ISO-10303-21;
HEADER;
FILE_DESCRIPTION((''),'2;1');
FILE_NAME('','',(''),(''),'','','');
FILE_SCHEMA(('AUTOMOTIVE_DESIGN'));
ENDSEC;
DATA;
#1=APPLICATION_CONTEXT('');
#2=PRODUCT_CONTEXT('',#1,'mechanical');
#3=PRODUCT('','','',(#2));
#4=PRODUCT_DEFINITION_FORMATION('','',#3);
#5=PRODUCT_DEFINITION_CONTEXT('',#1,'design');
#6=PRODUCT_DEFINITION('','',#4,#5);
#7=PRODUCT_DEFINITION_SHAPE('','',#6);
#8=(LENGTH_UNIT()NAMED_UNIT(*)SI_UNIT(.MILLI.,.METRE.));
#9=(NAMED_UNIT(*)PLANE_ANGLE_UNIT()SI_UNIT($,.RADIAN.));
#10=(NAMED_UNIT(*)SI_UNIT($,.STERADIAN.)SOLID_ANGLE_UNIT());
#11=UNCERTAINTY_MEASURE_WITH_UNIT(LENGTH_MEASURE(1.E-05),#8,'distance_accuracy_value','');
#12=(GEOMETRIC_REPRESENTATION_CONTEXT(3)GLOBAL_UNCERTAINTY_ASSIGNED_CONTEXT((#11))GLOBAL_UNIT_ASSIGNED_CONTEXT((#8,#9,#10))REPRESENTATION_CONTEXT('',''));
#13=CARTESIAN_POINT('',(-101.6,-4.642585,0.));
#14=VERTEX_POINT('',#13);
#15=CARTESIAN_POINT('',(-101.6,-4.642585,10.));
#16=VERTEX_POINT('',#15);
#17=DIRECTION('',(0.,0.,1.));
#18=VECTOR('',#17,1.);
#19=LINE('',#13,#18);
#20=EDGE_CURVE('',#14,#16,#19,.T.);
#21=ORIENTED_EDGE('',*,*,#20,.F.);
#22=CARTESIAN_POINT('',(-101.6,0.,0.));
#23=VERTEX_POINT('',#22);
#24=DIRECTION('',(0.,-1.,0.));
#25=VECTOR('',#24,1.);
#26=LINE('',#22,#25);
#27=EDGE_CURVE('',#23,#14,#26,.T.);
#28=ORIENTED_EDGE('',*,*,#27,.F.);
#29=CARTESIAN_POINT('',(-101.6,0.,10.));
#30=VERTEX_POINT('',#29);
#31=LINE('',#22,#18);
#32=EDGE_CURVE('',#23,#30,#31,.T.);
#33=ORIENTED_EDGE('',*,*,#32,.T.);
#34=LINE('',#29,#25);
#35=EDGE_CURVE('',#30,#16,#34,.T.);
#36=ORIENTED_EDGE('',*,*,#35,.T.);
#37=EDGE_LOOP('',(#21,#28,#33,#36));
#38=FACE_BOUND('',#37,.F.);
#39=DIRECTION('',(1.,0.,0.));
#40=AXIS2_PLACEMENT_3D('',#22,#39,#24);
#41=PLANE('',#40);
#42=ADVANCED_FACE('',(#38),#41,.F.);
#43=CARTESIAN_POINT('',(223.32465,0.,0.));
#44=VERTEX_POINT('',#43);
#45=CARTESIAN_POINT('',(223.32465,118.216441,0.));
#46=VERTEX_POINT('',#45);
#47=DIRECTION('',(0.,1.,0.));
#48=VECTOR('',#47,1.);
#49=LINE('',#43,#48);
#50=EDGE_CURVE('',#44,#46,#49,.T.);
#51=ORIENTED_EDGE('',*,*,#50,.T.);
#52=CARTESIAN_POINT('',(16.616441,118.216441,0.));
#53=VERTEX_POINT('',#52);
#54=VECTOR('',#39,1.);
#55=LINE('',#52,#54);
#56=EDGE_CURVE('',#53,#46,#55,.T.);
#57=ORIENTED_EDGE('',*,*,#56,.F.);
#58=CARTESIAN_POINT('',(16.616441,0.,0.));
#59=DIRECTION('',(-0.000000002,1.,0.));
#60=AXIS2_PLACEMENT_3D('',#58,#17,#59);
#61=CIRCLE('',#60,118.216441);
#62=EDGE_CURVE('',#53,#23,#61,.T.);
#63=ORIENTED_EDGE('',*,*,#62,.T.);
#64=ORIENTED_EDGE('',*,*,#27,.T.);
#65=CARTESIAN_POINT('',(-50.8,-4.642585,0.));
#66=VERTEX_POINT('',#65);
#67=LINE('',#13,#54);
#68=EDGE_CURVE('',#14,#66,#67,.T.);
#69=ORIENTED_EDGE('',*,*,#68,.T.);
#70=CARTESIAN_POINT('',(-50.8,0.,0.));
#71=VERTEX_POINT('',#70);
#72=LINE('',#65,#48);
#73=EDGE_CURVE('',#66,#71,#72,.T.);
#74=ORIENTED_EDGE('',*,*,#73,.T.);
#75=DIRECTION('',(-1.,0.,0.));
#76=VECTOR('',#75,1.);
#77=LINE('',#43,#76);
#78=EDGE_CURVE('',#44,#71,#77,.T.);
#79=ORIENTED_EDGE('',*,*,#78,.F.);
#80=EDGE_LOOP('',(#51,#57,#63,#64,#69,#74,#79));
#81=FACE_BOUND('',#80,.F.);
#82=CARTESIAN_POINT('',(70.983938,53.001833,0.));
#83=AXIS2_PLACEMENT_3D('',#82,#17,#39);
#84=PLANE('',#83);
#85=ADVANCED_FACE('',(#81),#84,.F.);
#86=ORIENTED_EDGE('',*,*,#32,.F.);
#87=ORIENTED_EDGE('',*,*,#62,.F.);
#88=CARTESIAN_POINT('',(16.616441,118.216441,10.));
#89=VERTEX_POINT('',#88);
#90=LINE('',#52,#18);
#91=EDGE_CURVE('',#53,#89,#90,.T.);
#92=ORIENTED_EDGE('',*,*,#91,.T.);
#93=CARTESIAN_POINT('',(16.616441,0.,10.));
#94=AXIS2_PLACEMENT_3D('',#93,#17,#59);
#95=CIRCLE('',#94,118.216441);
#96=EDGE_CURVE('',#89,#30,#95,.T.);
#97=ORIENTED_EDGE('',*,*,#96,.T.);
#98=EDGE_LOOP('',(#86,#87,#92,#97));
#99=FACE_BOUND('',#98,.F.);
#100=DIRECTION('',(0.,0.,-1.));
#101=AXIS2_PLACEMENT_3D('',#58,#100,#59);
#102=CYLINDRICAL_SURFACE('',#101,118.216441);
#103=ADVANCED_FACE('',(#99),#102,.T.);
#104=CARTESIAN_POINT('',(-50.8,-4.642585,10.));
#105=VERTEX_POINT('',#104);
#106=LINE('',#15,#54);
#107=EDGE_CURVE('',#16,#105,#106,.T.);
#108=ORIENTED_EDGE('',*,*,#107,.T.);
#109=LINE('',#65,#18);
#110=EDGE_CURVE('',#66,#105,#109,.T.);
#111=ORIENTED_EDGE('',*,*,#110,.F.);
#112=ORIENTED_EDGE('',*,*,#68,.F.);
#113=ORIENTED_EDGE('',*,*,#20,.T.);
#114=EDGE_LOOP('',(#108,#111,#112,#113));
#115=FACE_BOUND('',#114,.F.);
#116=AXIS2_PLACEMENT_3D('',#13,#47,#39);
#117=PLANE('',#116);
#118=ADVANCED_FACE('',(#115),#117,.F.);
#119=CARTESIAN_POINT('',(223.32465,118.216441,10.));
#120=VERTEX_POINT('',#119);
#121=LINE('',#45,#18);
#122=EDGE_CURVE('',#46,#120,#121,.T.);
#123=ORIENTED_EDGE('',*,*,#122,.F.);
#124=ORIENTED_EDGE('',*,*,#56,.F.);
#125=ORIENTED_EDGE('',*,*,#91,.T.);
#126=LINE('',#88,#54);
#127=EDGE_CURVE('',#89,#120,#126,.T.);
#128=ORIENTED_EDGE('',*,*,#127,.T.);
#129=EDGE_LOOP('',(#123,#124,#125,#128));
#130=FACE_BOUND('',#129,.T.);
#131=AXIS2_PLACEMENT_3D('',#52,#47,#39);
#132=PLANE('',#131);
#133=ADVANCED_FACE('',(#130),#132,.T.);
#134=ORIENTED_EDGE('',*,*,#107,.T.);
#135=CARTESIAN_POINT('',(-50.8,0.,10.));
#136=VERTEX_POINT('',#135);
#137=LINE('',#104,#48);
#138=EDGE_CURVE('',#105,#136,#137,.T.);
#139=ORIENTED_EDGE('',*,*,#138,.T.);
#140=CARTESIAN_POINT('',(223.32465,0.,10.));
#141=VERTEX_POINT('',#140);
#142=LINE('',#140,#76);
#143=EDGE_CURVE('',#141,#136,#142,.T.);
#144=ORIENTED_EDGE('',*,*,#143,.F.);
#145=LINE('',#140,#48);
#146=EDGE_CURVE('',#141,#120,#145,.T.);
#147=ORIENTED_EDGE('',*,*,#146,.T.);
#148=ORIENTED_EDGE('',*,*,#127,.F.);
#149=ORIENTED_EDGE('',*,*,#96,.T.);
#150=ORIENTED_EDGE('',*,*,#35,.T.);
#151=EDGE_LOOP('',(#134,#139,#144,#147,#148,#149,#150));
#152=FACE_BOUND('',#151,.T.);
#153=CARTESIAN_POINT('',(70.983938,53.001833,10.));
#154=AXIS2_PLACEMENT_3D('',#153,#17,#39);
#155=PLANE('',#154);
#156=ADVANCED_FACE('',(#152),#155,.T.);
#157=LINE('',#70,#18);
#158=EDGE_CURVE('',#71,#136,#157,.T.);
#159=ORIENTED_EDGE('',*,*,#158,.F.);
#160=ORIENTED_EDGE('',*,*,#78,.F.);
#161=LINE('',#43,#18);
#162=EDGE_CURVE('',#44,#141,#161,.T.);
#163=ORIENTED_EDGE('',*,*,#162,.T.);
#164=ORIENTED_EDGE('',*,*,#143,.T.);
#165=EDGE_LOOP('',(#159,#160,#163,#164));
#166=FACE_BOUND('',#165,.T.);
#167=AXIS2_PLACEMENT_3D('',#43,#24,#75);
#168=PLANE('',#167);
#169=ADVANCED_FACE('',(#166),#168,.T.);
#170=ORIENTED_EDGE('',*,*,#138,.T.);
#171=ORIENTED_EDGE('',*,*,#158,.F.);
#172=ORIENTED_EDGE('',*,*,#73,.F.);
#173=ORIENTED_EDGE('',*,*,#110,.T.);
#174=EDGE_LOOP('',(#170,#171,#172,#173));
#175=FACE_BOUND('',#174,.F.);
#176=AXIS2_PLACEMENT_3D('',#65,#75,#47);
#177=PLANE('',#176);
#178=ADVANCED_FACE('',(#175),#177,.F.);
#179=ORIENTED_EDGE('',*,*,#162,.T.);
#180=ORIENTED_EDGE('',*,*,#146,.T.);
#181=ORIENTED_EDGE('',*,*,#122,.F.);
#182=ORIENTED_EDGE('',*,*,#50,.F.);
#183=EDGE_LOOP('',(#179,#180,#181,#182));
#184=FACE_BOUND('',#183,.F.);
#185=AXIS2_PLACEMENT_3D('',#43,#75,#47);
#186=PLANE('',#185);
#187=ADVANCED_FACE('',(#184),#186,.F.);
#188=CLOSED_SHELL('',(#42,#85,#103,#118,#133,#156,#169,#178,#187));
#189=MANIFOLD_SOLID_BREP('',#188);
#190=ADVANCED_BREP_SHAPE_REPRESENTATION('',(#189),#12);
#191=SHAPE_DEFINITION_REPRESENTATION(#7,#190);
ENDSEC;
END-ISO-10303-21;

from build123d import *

# Parameters (mm, degrees)
PAD_DEPTH = 10


with BuildPart() as part:
    # Sketch → Pad (new body)
    with BuildSketch(Plane.XY):
        with BuildLine():
            Line((223.32465, 0), (223.32465, 118.216441))
            Line((16.616441, 118.216441), (223.32465, 118.216441))
            ThreePointArc((16.616441, 118.216441), (-66.975206, 83.591647), (-101.6, 0))
            Line((-101.6, 0), (-101.6, -4.642585))
            Line((-101.6, -4.642585), (-50.8, -4.642585))
            Line((-50.8, -4.642585), (-50.8, 0))
            Line((223.32465, 0), (-50.8, 0))
        make_face()
    extrude(amount=PAD_DEPTH)


solid = part.part
